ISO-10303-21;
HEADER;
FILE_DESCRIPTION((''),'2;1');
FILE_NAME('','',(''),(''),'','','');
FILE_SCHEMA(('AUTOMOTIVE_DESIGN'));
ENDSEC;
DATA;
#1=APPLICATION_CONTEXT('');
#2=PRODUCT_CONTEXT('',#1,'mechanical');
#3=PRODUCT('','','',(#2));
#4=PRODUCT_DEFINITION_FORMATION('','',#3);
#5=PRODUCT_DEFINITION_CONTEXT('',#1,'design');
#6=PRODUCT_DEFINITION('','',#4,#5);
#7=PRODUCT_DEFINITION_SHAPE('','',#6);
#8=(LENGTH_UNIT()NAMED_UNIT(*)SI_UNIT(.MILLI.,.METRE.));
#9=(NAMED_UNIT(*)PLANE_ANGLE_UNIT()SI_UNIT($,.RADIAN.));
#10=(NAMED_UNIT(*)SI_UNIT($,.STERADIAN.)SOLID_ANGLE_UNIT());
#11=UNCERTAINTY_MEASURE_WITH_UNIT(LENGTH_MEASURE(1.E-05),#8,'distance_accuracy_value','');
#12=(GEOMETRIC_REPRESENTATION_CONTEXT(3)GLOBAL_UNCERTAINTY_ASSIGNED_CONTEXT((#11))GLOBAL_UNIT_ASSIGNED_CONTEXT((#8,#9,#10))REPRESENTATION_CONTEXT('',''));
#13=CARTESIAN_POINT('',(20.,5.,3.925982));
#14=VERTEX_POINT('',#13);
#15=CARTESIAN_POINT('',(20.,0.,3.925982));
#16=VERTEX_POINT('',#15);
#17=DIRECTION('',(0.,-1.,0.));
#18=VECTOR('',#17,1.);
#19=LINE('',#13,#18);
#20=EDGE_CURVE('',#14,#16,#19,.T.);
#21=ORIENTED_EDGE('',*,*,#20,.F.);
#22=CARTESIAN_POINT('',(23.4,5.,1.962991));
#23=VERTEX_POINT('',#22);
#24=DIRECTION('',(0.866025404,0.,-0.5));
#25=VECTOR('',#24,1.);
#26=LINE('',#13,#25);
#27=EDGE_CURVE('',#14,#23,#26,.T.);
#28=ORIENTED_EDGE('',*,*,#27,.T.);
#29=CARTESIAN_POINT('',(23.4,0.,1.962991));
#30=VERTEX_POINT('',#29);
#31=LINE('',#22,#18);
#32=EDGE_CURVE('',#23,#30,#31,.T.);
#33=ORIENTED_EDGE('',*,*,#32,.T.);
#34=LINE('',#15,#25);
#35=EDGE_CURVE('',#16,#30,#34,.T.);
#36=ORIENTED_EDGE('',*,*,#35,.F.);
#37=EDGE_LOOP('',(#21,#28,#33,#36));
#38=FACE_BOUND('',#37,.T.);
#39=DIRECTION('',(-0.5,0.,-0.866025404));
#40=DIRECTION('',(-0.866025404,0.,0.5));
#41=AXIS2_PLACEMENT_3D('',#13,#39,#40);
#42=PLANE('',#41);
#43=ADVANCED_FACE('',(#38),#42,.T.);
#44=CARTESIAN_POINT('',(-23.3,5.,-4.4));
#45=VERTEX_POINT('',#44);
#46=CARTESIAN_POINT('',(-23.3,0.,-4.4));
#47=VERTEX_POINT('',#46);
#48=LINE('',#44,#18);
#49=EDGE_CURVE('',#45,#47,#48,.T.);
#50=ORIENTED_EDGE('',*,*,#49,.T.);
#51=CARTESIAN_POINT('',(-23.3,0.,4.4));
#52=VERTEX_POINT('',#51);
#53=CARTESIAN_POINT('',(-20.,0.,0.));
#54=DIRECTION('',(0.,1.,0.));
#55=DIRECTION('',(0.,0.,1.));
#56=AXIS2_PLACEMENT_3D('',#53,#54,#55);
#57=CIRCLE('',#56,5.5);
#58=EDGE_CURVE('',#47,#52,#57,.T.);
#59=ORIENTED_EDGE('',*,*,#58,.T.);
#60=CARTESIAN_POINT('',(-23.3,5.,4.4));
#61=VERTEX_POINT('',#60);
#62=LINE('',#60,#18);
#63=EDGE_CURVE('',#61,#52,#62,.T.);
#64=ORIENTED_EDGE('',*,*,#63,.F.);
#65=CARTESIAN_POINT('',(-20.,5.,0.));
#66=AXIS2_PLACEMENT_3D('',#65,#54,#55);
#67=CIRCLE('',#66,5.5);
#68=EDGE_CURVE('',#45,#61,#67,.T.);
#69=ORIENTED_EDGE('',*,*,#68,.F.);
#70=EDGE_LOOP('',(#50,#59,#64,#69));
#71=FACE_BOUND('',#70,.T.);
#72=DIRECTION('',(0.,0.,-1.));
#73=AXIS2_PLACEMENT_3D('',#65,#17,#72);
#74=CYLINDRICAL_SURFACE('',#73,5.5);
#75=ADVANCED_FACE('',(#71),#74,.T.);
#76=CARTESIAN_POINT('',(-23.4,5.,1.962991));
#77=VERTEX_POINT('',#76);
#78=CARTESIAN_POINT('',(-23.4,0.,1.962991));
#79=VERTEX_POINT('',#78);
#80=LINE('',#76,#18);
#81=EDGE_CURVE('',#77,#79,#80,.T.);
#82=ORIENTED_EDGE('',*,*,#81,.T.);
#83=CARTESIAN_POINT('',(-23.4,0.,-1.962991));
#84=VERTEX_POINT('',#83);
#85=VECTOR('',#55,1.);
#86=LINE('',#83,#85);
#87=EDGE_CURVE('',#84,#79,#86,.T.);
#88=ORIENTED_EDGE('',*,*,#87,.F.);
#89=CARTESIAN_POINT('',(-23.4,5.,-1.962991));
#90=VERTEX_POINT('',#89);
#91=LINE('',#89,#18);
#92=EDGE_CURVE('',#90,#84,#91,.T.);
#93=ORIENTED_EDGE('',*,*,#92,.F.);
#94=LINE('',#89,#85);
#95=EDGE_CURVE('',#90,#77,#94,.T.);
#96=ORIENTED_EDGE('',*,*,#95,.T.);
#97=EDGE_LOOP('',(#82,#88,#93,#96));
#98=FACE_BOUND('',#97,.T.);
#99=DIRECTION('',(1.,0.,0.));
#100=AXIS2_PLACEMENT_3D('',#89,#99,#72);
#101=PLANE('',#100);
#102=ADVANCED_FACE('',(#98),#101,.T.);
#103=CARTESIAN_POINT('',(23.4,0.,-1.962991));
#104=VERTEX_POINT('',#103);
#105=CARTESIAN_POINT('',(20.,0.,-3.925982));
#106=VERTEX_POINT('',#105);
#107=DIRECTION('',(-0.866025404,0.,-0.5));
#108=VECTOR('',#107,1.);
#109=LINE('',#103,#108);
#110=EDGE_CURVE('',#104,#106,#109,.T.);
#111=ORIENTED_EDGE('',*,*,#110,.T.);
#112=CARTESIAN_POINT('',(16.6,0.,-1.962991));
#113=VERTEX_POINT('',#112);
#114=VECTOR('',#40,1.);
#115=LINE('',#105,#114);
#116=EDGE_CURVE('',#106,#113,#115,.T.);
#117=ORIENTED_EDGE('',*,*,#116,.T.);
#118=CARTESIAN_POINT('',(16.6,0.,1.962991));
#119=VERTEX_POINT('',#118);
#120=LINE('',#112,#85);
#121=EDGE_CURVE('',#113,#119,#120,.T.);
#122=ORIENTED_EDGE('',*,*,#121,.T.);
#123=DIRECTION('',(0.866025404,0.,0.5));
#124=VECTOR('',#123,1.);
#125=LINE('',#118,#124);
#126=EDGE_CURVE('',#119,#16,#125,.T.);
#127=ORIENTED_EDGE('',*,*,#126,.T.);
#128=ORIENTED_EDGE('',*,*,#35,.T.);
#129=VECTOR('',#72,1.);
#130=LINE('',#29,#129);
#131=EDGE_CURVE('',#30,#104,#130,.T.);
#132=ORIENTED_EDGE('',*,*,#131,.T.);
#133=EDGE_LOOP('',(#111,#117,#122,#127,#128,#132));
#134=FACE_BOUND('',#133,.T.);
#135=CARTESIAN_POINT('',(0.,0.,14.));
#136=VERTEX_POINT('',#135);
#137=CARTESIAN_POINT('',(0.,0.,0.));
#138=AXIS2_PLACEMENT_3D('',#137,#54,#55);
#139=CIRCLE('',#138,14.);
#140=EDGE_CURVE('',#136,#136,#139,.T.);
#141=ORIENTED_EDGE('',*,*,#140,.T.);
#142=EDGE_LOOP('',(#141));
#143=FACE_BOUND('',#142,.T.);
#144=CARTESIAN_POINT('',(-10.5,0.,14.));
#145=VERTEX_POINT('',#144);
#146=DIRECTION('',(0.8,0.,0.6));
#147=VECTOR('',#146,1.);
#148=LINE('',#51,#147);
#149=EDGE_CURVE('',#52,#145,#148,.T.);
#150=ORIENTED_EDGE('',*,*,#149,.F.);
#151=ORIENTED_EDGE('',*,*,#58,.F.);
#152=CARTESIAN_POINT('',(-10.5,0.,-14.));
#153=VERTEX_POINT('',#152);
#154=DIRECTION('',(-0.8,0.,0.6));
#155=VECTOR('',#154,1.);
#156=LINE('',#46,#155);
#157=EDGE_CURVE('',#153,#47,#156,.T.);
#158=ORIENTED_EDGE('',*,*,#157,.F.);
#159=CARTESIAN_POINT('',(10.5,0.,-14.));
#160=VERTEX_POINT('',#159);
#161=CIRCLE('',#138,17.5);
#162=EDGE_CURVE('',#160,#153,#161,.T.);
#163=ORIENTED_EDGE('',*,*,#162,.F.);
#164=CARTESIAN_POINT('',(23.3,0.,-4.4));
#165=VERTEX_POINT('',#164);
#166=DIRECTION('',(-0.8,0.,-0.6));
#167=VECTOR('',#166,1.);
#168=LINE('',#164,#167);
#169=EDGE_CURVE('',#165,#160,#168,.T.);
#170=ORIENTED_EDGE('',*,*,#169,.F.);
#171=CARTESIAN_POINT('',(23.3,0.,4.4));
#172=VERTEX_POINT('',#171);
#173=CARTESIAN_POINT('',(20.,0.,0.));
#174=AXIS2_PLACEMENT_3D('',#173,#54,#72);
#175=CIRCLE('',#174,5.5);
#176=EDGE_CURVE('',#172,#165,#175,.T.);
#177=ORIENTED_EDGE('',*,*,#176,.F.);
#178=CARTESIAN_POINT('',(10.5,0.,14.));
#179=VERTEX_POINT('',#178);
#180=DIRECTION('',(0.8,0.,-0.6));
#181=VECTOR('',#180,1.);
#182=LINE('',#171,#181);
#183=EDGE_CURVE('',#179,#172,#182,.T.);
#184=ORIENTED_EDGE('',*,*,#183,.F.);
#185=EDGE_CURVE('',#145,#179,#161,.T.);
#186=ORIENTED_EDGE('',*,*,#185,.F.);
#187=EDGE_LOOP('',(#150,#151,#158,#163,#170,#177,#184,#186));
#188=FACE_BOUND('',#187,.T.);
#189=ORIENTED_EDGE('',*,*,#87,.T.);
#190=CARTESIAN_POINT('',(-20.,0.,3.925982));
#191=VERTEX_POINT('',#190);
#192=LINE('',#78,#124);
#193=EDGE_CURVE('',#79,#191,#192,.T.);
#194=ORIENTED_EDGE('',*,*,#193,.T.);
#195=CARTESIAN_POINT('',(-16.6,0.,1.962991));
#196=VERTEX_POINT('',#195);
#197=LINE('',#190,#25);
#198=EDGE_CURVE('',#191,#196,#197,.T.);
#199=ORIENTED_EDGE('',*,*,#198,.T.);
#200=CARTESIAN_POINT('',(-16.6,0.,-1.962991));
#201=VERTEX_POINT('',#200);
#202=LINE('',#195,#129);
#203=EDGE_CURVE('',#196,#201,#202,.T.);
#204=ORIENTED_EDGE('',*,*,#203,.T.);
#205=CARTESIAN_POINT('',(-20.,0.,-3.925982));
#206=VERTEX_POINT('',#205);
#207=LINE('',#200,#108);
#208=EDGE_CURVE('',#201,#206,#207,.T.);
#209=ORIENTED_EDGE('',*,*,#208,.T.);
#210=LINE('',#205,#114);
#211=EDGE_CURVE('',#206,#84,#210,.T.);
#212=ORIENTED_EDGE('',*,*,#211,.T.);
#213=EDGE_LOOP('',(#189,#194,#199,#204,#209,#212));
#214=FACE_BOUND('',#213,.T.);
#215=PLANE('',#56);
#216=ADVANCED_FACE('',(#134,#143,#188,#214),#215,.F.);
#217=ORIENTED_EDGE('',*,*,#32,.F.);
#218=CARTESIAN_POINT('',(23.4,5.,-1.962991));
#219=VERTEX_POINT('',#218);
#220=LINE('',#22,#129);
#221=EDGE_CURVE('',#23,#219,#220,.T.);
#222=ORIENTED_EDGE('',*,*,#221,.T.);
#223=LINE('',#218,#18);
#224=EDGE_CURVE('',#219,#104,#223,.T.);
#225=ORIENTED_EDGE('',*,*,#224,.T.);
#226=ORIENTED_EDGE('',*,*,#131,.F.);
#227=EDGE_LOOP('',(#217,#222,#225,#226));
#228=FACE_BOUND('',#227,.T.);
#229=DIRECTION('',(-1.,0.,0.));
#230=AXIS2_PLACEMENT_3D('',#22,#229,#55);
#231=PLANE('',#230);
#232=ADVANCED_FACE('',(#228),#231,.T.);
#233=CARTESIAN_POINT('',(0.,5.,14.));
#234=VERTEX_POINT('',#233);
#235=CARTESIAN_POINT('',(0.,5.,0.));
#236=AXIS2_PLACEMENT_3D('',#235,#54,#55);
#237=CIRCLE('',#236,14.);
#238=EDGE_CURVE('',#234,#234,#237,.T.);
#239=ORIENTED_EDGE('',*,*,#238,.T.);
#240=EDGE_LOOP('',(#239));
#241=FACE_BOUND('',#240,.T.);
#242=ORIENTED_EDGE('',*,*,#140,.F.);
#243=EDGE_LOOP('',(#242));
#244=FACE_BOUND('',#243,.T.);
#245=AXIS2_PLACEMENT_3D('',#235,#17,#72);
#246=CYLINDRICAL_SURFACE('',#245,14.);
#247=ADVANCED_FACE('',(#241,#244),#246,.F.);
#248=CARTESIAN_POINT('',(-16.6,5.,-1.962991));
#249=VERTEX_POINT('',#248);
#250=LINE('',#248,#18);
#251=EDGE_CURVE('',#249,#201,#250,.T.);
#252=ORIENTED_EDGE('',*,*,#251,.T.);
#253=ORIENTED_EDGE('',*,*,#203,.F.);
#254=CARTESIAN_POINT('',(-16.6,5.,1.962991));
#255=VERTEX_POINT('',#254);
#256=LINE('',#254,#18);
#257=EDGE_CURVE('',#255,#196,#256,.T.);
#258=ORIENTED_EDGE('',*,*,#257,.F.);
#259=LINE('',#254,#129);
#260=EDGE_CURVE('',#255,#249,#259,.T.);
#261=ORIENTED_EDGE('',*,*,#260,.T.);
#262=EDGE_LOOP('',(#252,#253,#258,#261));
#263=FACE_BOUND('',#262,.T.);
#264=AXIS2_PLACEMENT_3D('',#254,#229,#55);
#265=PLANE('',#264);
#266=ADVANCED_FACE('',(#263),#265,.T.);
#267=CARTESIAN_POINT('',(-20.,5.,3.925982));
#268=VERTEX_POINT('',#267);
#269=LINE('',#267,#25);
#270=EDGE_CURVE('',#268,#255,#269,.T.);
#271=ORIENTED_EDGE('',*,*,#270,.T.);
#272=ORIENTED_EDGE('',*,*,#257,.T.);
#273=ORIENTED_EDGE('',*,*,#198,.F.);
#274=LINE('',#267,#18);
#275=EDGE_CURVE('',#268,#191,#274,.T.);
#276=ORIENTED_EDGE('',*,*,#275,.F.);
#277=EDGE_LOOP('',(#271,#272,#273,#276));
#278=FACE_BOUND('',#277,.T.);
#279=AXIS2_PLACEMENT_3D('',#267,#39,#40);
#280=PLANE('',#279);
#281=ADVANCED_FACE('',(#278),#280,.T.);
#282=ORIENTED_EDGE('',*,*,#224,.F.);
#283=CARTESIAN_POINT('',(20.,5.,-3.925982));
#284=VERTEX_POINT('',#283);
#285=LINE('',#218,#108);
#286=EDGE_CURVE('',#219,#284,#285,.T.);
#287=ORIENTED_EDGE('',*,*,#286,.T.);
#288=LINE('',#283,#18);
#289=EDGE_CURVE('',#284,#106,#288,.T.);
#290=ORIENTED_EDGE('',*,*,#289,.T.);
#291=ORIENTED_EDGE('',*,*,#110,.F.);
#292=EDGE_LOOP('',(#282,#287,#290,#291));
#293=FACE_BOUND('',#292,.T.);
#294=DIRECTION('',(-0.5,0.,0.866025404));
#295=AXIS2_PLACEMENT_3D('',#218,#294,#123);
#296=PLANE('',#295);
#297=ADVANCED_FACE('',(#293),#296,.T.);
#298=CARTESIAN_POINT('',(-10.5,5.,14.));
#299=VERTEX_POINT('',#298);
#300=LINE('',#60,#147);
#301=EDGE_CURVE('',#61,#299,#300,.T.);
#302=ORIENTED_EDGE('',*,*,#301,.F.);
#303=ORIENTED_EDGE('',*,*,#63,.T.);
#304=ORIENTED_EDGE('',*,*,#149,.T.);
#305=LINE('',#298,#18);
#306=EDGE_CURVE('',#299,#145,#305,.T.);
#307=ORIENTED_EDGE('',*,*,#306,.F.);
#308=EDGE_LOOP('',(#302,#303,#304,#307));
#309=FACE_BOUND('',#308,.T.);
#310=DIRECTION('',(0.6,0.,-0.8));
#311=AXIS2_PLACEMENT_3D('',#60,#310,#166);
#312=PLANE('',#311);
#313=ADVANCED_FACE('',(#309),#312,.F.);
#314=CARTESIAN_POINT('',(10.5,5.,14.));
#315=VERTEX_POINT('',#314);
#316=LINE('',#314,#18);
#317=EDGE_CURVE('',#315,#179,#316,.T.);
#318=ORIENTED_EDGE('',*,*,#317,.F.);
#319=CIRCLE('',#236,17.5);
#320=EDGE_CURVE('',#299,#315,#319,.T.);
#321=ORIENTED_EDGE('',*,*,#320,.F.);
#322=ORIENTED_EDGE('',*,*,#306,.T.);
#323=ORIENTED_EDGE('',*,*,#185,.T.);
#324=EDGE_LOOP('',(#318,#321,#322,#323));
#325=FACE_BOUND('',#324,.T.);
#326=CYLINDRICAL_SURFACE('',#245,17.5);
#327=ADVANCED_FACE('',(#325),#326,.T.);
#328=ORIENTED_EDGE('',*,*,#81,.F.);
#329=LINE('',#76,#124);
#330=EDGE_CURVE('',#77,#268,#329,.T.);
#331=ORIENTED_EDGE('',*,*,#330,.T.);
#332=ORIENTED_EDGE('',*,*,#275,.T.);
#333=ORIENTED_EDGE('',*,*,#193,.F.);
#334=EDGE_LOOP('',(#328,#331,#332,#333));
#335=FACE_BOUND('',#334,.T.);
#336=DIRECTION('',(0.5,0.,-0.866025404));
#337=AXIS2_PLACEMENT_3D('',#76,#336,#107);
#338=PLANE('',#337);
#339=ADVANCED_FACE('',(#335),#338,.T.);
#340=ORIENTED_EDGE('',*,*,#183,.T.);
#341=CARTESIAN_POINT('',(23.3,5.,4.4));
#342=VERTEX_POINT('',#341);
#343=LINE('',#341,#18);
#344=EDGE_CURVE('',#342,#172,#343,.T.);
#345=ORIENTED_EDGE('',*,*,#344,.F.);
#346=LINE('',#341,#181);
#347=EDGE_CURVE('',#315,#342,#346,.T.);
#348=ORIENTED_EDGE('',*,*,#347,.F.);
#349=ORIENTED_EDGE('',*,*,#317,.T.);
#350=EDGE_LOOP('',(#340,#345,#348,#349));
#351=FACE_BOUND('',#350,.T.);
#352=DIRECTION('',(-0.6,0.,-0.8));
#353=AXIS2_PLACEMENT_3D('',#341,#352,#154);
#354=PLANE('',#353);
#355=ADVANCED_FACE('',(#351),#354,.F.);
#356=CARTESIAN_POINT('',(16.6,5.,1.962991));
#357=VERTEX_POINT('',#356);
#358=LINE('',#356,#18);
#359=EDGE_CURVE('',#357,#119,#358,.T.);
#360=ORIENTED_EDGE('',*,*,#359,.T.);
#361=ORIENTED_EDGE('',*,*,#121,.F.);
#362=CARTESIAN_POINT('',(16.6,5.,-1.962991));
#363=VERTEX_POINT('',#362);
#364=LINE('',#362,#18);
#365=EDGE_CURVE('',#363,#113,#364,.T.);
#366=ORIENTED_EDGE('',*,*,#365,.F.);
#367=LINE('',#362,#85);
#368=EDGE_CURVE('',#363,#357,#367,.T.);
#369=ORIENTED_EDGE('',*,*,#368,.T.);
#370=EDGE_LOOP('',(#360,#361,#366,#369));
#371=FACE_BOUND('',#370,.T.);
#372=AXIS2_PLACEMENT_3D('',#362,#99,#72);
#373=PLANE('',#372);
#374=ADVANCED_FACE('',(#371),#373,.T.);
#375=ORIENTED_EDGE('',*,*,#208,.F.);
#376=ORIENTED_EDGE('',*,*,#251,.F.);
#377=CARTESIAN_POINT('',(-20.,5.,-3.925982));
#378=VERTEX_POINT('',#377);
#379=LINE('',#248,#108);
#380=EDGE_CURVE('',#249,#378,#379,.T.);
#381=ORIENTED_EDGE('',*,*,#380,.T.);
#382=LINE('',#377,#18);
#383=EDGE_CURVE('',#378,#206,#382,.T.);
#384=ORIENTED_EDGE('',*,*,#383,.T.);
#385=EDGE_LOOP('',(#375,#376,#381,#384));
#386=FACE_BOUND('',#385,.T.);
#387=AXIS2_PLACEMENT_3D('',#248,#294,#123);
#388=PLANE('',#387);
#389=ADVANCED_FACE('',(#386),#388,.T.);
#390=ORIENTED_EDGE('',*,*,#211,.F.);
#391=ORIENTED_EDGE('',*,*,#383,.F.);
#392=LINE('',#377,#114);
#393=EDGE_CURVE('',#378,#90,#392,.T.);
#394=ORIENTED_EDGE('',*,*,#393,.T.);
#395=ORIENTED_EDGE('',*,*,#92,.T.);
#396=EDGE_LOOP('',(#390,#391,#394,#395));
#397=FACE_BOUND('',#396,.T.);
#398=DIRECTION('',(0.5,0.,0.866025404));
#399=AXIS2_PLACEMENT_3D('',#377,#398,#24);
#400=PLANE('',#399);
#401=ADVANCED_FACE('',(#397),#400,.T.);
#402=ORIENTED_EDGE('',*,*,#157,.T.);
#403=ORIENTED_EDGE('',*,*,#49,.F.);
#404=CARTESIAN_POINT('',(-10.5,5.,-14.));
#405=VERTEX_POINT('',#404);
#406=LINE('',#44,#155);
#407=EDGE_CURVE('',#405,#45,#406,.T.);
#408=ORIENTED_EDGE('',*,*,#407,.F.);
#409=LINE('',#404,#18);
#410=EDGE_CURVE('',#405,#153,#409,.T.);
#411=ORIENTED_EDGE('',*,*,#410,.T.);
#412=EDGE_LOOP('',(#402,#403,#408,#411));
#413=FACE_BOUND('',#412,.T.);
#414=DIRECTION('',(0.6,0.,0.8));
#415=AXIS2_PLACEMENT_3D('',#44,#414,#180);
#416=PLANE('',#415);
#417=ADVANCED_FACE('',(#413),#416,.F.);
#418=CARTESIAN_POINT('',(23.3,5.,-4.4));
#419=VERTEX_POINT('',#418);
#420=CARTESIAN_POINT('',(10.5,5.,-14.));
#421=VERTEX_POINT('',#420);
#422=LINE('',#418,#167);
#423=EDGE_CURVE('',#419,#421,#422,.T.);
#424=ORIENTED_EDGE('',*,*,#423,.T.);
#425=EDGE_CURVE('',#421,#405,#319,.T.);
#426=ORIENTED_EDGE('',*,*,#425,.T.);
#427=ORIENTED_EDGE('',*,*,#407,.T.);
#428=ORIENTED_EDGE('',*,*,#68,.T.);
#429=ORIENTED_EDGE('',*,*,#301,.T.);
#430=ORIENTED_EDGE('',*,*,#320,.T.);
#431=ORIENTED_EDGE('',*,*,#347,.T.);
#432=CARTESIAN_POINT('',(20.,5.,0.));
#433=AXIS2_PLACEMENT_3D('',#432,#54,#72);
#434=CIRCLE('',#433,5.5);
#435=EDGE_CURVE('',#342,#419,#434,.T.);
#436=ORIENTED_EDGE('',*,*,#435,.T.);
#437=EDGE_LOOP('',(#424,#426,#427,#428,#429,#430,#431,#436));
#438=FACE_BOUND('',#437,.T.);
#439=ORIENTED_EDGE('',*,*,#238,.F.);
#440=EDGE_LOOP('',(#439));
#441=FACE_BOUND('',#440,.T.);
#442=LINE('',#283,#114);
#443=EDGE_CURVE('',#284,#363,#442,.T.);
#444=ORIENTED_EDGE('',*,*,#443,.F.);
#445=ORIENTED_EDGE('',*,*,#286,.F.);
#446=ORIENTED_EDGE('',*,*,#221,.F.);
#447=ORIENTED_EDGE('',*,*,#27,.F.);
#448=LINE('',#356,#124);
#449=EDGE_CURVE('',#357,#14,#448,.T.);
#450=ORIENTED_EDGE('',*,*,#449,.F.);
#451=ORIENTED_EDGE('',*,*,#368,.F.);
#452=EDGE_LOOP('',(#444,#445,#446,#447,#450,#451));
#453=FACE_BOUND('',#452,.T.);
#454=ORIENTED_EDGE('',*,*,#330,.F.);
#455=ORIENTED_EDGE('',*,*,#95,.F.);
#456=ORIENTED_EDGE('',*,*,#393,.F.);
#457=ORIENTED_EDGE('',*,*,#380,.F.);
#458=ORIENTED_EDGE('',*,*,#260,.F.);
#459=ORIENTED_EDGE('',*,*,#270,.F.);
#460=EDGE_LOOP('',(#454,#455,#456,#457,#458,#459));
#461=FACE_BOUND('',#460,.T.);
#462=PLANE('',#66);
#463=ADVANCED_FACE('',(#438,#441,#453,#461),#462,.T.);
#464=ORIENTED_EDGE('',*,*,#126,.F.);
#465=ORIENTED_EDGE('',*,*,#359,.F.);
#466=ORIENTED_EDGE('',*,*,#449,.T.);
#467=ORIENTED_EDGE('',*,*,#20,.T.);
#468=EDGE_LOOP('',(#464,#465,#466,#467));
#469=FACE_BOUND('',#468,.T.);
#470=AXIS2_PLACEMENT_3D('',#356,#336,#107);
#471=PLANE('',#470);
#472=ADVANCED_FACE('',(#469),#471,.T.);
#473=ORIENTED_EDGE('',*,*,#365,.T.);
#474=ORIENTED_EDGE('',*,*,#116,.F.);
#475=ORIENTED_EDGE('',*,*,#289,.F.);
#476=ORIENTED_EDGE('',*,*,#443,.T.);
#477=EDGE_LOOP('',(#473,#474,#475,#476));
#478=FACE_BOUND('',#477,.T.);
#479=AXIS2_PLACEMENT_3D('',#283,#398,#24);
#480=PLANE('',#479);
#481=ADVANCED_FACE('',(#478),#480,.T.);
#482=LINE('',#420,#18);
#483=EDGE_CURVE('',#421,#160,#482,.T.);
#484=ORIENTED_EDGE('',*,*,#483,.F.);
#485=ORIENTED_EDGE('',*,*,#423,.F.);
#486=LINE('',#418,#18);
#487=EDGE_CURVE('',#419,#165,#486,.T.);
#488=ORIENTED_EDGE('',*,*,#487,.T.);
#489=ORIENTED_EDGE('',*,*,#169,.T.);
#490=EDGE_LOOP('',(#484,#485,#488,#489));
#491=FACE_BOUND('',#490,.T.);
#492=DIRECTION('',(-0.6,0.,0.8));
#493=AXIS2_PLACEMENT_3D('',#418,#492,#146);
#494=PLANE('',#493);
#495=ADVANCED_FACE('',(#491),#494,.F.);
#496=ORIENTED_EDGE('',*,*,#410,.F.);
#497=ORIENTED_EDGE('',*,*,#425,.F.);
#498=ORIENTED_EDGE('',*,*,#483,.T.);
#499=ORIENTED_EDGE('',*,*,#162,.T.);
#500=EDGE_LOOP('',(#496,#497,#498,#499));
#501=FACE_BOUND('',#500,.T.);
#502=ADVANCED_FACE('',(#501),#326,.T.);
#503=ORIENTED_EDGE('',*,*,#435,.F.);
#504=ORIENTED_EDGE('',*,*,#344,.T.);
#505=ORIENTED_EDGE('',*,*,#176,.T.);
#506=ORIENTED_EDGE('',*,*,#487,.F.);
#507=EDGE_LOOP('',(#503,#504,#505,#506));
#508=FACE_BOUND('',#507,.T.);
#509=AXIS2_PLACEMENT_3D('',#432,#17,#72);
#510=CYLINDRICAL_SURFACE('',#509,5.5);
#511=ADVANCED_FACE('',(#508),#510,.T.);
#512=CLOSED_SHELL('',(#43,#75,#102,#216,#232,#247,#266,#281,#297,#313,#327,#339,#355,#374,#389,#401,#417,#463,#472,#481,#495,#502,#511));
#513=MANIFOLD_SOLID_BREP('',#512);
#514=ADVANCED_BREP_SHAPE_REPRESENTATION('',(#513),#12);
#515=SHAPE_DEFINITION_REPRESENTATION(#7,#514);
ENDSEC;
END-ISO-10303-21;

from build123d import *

# Parameters (mm, degrees)
SKETCH1_R           = 14
BOSS_EXTRUDE1_DEPTH = 5


with BuildPart() as part:
    # Sketch1 → Boss-Extrude1 (new body)
    with BuildSketch(Plane(origin=(0, 0, 0), x_dir=(1, 0, 0), z_dir=(0, 1, 0))):
        with BuildLine():
            Line((-23.3, 4.4), (-10.5, 14))
            ThreePointArc((-10.5, 14), (0, 17.5), (10.5, 14))
            Line((10.5, 14), (23.3, 4.4))
            ThreePointArc((23.3, 4.4), (25.5, 0), (23.3, -4.4))
            Line((23.3, -4.4), (10.5, -14))
            ThreePointArc((10.5, -14), (0, -17.5), (-10.5, -14))
            Line((-10.5, -14), (-23.3, -4.4))
            ThreePointArc((-23.3, -4.4), (-25.5, 0), (-23.3, 4.4))
        make_face()
        with Locations(Location((0, 0, 0), (0, 0, 270))):
            Circle(SKETCH1_R, mode=Mode.SUBTRACT)
        Polygon((-20, 3.92598183), (-23.4, 1.962990915), (-23.4, -1.962990915), (-20, -3.92598183), (-16.6, -1.962990915), (-16.6, 1.962990915), align=None, mode=Mode.SUBTRACT)
        Polygon((20, -3.92598183), (23.4, -1.962990915), (23.4, 1.962990915), (20, 3.92598183), (16.6, 1.962990915), (16.6, -1.962990915), align=None, mode=Mode.SUBTRACT)
    extrude(amount=BOSS_EXTRUDE1_DEPTH)


solid = part.part
